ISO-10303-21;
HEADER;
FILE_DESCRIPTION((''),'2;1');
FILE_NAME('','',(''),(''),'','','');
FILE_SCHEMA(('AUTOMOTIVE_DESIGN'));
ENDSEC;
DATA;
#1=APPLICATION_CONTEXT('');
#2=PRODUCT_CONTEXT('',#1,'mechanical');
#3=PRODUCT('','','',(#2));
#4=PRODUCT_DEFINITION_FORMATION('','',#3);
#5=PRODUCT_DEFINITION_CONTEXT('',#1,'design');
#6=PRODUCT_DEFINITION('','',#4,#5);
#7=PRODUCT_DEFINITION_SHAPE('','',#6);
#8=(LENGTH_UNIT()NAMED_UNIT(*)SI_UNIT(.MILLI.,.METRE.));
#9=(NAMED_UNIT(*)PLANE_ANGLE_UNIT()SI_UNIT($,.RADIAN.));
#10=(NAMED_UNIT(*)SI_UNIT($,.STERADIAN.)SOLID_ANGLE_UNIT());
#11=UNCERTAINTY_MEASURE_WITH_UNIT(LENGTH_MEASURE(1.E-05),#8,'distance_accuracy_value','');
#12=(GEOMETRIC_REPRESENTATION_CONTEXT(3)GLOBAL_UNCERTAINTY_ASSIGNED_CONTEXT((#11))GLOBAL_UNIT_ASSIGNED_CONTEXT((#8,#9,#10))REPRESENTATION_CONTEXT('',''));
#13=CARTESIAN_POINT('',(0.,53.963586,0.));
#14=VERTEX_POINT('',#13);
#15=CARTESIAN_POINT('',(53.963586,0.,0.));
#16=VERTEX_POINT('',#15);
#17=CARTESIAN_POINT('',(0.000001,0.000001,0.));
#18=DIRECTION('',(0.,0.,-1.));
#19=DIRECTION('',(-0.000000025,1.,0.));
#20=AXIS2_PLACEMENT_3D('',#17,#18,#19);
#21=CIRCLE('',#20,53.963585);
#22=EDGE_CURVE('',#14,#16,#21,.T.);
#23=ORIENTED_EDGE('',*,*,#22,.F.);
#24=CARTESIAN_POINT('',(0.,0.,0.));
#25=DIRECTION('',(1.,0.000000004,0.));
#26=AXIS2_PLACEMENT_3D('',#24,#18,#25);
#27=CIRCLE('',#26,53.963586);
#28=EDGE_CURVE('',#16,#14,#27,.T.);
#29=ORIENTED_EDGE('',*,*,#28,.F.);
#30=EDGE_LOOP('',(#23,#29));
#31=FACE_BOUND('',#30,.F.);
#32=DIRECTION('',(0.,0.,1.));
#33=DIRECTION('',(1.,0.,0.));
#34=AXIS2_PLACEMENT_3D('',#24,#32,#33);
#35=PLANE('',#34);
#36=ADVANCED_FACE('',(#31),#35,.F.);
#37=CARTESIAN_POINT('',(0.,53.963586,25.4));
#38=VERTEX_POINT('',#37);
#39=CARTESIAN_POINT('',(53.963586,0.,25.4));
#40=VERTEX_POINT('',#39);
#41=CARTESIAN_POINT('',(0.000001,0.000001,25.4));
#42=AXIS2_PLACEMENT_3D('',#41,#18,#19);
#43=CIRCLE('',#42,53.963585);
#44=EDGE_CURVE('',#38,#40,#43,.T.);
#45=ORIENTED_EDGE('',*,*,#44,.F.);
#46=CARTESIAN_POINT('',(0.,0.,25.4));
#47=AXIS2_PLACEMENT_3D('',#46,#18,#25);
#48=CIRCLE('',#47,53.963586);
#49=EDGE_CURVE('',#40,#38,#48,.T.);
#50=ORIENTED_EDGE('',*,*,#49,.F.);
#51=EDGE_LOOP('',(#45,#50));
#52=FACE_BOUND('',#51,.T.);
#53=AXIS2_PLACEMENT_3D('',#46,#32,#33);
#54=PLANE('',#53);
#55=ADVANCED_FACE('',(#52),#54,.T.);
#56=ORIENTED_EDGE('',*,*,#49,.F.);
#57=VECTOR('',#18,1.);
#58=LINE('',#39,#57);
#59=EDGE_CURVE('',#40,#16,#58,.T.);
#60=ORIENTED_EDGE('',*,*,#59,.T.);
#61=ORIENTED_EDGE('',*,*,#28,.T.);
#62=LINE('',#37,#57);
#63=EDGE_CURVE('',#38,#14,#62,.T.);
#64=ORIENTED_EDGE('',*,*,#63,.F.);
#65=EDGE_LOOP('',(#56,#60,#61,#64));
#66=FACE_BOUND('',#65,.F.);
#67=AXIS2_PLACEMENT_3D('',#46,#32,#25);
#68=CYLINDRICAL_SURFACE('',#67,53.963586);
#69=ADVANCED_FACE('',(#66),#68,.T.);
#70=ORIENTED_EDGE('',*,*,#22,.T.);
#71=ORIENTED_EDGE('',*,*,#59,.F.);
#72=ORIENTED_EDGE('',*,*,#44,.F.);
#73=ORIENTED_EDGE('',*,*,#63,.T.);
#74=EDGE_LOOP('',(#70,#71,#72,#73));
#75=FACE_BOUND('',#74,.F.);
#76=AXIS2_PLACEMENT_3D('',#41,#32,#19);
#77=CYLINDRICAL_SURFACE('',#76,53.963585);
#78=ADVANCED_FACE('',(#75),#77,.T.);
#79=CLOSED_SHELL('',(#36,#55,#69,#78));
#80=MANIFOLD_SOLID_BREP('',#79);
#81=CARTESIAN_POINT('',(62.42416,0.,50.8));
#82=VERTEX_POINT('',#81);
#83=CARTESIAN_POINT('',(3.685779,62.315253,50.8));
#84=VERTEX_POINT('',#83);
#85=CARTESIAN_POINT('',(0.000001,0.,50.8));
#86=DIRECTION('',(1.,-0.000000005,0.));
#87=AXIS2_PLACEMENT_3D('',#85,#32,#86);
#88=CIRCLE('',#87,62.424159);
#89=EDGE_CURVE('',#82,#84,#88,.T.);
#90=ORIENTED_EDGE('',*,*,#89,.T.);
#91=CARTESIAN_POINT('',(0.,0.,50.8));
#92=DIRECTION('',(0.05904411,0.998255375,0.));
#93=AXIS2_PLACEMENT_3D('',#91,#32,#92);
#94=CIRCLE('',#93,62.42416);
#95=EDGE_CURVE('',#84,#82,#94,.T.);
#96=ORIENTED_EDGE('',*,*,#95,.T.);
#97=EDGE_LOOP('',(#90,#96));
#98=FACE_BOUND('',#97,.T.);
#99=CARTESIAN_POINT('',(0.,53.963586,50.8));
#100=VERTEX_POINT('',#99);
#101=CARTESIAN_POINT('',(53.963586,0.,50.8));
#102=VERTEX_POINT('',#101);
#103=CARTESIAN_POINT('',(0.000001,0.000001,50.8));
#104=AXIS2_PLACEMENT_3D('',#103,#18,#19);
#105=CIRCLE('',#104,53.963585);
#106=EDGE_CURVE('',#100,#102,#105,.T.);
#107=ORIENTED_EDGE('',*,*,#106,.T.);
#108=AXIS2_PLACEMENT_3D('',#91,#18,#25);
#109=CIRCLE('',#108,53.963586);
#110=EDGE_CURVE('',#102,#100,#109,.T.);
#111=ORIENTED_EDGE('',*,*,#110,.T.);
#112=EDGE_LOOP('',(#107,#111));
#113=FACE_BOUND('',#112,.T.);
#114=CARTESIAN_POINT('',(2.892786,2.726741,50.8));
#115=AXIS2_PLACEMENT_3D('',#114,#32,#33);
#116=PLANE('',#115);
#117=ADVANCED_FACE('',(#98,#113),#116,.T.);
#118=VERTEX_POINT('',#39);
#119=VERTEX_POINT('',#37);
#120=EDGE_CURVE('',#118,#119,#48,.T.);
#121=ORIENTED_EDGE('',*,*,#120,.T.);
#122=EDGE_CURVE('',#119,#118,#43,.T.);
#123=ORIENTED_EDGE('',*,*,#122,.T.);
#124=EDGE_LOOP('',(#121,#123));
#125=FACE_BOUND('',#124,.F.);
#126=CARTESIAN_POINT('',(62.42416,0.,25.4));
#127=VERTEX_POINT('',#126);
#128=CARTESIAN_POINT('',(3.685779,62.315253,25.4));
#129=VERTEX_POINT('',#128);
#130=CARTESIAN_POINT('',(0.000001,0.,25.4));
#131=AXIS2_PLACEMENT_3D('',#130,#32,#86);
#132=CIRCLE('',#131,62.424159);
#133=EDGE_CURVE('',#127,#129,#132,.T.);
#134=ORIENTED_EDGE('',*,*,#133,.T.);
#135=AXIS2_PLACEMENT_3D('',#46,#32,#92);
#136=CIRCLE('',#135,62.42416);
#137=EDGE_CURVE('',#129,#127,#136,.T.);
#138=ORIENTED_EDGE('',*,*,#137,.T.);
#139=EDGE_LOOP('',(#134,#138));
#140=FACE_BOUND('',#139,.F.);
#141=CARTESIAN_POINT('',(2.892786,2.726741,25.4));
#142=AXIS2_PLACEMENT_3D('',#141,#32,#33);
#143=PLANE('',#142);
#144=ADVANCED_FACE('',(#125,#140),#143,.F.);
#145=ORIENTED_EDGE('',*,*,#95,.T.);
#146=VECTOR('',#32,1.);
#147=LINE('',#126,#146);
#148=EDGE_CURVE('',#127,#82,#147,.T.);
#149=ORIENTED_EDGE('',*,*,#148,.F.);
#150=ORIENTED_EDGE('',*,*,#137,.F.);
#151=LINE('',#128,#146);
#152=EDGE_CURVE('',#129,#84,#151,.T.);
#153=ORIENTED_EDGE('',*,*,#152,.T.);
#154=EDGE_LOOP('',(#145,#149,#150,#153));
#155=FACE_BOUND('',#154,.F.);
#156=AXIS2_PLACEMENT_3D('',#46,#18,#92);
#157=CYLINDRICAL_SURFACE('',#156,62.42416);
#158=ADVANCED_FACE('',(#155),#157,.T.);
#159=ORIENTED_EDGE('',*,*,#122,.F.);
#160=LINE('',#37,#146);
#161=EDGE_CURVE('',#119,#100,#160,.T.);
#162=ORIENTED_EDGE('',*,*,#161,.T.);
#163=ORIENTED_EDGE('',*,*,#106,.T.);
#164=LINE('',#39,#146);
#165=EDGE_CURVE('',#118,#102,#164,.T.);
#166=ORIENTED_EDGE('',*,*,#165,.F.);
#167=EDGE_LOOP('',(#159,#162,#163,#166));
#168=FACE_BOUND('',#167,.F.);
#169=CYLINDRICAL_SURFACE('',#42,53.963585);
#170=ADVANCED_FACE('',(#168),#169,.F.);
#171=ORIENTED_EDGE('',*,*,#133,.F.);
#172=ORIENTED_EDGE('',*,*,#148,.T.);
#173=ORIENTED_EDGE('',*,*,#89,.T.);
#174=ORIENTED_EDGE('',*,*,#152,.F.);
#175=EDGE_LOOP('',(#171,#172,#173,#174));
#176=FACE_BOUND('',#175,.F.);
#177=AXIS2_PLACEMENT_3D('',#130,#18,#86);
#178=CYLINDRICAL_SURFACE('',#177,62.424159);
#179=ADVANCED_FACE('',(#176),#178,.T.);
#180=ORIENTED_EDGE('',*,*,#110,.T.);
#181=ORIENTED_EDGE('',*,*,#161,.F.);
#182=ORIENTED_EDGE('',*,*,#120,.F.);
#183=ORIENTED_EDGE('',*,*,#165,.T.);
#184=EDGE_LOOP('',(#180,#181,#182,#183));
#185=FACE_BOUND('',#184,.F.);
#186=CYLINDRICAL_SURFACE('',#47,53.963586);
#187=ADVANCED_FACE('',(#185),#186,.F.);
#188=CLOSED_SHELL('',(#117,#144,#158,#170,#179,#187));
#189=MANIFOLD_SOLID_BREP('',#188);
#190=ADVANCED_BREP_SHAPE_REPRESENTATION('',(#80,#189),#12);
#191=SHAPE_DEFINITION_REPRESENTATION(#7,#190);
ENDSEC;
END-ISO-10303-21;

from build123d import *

# Parameters (mm, degrees)
F0_R          = 62.42416
F1_DEPTH      = 25.4
F5_DEPTH      = 25.4
F5_DEPTH_BACK = 25.4
F6_DEPTH      = 25.4


with BuildPart() as f1:
    # F0 (on Top) → F1 (new body)
    with BuildSketch(Plane.XY):
        Circle(F0_R)
    extrude(amount=F1_DEPTH)

    # F4 (on face) → F5 (cut, two sides)
    with BuildSketch(Plane.XY.offset(25.4)) as f5_sk:
        with BuildLine():
            ThreePointArc((62.42416, 0), (45.424979, 42.817602), (3.685779, 62.315253))
            ThreePointArc((3.685779, 62.315253), (-45.424979, -42.817602), (62.42416, 0))
        make_face()
        with BuildLine():
            ThreePointArc((53.963586, 0), (-38.158018, -38.158018), (0, 53.963586))
            ThreePointArc((0, 53.963586), (38.158018, 38.158018), (53.963586, 0))
        make_face(mode=Mode.SUBTRACT)
    extrude(amount=-F5_DEPTH, mode=Mode.SUBTRACT)
    extrude(f5_sk.sketch, amount=-F5_DEPTH_BACK, mode=Mode.SUBTRACT)


with BuildPart() as f6:
    # F3 (on face) → F6 (new body)
    with BuildSketch(Plane.XY.offset(25.4)):
        with BuildLine():
            ThreePointArc((3.685779, 62.315253), (-45.424979, -42.817602), (62.42416, 0))
            ThreePointArc((62.42416, 0), (45.424979, 42.817602), (3.685779, 62.315253))
        make_face()
        with BuildLine():
            ThreePointArc((53.963586, 0), (-38.158018, -38.158018), (0, 53.963586))
            ThreePointArc((0, 53.963586), (38.158018, 38.158018), (53.963586, 0))
        make_face(mode=Mode.SUBTRACT)
    extrude(amount=F6_DEPTH)


solid = Compound([f1.part, f6.part])
